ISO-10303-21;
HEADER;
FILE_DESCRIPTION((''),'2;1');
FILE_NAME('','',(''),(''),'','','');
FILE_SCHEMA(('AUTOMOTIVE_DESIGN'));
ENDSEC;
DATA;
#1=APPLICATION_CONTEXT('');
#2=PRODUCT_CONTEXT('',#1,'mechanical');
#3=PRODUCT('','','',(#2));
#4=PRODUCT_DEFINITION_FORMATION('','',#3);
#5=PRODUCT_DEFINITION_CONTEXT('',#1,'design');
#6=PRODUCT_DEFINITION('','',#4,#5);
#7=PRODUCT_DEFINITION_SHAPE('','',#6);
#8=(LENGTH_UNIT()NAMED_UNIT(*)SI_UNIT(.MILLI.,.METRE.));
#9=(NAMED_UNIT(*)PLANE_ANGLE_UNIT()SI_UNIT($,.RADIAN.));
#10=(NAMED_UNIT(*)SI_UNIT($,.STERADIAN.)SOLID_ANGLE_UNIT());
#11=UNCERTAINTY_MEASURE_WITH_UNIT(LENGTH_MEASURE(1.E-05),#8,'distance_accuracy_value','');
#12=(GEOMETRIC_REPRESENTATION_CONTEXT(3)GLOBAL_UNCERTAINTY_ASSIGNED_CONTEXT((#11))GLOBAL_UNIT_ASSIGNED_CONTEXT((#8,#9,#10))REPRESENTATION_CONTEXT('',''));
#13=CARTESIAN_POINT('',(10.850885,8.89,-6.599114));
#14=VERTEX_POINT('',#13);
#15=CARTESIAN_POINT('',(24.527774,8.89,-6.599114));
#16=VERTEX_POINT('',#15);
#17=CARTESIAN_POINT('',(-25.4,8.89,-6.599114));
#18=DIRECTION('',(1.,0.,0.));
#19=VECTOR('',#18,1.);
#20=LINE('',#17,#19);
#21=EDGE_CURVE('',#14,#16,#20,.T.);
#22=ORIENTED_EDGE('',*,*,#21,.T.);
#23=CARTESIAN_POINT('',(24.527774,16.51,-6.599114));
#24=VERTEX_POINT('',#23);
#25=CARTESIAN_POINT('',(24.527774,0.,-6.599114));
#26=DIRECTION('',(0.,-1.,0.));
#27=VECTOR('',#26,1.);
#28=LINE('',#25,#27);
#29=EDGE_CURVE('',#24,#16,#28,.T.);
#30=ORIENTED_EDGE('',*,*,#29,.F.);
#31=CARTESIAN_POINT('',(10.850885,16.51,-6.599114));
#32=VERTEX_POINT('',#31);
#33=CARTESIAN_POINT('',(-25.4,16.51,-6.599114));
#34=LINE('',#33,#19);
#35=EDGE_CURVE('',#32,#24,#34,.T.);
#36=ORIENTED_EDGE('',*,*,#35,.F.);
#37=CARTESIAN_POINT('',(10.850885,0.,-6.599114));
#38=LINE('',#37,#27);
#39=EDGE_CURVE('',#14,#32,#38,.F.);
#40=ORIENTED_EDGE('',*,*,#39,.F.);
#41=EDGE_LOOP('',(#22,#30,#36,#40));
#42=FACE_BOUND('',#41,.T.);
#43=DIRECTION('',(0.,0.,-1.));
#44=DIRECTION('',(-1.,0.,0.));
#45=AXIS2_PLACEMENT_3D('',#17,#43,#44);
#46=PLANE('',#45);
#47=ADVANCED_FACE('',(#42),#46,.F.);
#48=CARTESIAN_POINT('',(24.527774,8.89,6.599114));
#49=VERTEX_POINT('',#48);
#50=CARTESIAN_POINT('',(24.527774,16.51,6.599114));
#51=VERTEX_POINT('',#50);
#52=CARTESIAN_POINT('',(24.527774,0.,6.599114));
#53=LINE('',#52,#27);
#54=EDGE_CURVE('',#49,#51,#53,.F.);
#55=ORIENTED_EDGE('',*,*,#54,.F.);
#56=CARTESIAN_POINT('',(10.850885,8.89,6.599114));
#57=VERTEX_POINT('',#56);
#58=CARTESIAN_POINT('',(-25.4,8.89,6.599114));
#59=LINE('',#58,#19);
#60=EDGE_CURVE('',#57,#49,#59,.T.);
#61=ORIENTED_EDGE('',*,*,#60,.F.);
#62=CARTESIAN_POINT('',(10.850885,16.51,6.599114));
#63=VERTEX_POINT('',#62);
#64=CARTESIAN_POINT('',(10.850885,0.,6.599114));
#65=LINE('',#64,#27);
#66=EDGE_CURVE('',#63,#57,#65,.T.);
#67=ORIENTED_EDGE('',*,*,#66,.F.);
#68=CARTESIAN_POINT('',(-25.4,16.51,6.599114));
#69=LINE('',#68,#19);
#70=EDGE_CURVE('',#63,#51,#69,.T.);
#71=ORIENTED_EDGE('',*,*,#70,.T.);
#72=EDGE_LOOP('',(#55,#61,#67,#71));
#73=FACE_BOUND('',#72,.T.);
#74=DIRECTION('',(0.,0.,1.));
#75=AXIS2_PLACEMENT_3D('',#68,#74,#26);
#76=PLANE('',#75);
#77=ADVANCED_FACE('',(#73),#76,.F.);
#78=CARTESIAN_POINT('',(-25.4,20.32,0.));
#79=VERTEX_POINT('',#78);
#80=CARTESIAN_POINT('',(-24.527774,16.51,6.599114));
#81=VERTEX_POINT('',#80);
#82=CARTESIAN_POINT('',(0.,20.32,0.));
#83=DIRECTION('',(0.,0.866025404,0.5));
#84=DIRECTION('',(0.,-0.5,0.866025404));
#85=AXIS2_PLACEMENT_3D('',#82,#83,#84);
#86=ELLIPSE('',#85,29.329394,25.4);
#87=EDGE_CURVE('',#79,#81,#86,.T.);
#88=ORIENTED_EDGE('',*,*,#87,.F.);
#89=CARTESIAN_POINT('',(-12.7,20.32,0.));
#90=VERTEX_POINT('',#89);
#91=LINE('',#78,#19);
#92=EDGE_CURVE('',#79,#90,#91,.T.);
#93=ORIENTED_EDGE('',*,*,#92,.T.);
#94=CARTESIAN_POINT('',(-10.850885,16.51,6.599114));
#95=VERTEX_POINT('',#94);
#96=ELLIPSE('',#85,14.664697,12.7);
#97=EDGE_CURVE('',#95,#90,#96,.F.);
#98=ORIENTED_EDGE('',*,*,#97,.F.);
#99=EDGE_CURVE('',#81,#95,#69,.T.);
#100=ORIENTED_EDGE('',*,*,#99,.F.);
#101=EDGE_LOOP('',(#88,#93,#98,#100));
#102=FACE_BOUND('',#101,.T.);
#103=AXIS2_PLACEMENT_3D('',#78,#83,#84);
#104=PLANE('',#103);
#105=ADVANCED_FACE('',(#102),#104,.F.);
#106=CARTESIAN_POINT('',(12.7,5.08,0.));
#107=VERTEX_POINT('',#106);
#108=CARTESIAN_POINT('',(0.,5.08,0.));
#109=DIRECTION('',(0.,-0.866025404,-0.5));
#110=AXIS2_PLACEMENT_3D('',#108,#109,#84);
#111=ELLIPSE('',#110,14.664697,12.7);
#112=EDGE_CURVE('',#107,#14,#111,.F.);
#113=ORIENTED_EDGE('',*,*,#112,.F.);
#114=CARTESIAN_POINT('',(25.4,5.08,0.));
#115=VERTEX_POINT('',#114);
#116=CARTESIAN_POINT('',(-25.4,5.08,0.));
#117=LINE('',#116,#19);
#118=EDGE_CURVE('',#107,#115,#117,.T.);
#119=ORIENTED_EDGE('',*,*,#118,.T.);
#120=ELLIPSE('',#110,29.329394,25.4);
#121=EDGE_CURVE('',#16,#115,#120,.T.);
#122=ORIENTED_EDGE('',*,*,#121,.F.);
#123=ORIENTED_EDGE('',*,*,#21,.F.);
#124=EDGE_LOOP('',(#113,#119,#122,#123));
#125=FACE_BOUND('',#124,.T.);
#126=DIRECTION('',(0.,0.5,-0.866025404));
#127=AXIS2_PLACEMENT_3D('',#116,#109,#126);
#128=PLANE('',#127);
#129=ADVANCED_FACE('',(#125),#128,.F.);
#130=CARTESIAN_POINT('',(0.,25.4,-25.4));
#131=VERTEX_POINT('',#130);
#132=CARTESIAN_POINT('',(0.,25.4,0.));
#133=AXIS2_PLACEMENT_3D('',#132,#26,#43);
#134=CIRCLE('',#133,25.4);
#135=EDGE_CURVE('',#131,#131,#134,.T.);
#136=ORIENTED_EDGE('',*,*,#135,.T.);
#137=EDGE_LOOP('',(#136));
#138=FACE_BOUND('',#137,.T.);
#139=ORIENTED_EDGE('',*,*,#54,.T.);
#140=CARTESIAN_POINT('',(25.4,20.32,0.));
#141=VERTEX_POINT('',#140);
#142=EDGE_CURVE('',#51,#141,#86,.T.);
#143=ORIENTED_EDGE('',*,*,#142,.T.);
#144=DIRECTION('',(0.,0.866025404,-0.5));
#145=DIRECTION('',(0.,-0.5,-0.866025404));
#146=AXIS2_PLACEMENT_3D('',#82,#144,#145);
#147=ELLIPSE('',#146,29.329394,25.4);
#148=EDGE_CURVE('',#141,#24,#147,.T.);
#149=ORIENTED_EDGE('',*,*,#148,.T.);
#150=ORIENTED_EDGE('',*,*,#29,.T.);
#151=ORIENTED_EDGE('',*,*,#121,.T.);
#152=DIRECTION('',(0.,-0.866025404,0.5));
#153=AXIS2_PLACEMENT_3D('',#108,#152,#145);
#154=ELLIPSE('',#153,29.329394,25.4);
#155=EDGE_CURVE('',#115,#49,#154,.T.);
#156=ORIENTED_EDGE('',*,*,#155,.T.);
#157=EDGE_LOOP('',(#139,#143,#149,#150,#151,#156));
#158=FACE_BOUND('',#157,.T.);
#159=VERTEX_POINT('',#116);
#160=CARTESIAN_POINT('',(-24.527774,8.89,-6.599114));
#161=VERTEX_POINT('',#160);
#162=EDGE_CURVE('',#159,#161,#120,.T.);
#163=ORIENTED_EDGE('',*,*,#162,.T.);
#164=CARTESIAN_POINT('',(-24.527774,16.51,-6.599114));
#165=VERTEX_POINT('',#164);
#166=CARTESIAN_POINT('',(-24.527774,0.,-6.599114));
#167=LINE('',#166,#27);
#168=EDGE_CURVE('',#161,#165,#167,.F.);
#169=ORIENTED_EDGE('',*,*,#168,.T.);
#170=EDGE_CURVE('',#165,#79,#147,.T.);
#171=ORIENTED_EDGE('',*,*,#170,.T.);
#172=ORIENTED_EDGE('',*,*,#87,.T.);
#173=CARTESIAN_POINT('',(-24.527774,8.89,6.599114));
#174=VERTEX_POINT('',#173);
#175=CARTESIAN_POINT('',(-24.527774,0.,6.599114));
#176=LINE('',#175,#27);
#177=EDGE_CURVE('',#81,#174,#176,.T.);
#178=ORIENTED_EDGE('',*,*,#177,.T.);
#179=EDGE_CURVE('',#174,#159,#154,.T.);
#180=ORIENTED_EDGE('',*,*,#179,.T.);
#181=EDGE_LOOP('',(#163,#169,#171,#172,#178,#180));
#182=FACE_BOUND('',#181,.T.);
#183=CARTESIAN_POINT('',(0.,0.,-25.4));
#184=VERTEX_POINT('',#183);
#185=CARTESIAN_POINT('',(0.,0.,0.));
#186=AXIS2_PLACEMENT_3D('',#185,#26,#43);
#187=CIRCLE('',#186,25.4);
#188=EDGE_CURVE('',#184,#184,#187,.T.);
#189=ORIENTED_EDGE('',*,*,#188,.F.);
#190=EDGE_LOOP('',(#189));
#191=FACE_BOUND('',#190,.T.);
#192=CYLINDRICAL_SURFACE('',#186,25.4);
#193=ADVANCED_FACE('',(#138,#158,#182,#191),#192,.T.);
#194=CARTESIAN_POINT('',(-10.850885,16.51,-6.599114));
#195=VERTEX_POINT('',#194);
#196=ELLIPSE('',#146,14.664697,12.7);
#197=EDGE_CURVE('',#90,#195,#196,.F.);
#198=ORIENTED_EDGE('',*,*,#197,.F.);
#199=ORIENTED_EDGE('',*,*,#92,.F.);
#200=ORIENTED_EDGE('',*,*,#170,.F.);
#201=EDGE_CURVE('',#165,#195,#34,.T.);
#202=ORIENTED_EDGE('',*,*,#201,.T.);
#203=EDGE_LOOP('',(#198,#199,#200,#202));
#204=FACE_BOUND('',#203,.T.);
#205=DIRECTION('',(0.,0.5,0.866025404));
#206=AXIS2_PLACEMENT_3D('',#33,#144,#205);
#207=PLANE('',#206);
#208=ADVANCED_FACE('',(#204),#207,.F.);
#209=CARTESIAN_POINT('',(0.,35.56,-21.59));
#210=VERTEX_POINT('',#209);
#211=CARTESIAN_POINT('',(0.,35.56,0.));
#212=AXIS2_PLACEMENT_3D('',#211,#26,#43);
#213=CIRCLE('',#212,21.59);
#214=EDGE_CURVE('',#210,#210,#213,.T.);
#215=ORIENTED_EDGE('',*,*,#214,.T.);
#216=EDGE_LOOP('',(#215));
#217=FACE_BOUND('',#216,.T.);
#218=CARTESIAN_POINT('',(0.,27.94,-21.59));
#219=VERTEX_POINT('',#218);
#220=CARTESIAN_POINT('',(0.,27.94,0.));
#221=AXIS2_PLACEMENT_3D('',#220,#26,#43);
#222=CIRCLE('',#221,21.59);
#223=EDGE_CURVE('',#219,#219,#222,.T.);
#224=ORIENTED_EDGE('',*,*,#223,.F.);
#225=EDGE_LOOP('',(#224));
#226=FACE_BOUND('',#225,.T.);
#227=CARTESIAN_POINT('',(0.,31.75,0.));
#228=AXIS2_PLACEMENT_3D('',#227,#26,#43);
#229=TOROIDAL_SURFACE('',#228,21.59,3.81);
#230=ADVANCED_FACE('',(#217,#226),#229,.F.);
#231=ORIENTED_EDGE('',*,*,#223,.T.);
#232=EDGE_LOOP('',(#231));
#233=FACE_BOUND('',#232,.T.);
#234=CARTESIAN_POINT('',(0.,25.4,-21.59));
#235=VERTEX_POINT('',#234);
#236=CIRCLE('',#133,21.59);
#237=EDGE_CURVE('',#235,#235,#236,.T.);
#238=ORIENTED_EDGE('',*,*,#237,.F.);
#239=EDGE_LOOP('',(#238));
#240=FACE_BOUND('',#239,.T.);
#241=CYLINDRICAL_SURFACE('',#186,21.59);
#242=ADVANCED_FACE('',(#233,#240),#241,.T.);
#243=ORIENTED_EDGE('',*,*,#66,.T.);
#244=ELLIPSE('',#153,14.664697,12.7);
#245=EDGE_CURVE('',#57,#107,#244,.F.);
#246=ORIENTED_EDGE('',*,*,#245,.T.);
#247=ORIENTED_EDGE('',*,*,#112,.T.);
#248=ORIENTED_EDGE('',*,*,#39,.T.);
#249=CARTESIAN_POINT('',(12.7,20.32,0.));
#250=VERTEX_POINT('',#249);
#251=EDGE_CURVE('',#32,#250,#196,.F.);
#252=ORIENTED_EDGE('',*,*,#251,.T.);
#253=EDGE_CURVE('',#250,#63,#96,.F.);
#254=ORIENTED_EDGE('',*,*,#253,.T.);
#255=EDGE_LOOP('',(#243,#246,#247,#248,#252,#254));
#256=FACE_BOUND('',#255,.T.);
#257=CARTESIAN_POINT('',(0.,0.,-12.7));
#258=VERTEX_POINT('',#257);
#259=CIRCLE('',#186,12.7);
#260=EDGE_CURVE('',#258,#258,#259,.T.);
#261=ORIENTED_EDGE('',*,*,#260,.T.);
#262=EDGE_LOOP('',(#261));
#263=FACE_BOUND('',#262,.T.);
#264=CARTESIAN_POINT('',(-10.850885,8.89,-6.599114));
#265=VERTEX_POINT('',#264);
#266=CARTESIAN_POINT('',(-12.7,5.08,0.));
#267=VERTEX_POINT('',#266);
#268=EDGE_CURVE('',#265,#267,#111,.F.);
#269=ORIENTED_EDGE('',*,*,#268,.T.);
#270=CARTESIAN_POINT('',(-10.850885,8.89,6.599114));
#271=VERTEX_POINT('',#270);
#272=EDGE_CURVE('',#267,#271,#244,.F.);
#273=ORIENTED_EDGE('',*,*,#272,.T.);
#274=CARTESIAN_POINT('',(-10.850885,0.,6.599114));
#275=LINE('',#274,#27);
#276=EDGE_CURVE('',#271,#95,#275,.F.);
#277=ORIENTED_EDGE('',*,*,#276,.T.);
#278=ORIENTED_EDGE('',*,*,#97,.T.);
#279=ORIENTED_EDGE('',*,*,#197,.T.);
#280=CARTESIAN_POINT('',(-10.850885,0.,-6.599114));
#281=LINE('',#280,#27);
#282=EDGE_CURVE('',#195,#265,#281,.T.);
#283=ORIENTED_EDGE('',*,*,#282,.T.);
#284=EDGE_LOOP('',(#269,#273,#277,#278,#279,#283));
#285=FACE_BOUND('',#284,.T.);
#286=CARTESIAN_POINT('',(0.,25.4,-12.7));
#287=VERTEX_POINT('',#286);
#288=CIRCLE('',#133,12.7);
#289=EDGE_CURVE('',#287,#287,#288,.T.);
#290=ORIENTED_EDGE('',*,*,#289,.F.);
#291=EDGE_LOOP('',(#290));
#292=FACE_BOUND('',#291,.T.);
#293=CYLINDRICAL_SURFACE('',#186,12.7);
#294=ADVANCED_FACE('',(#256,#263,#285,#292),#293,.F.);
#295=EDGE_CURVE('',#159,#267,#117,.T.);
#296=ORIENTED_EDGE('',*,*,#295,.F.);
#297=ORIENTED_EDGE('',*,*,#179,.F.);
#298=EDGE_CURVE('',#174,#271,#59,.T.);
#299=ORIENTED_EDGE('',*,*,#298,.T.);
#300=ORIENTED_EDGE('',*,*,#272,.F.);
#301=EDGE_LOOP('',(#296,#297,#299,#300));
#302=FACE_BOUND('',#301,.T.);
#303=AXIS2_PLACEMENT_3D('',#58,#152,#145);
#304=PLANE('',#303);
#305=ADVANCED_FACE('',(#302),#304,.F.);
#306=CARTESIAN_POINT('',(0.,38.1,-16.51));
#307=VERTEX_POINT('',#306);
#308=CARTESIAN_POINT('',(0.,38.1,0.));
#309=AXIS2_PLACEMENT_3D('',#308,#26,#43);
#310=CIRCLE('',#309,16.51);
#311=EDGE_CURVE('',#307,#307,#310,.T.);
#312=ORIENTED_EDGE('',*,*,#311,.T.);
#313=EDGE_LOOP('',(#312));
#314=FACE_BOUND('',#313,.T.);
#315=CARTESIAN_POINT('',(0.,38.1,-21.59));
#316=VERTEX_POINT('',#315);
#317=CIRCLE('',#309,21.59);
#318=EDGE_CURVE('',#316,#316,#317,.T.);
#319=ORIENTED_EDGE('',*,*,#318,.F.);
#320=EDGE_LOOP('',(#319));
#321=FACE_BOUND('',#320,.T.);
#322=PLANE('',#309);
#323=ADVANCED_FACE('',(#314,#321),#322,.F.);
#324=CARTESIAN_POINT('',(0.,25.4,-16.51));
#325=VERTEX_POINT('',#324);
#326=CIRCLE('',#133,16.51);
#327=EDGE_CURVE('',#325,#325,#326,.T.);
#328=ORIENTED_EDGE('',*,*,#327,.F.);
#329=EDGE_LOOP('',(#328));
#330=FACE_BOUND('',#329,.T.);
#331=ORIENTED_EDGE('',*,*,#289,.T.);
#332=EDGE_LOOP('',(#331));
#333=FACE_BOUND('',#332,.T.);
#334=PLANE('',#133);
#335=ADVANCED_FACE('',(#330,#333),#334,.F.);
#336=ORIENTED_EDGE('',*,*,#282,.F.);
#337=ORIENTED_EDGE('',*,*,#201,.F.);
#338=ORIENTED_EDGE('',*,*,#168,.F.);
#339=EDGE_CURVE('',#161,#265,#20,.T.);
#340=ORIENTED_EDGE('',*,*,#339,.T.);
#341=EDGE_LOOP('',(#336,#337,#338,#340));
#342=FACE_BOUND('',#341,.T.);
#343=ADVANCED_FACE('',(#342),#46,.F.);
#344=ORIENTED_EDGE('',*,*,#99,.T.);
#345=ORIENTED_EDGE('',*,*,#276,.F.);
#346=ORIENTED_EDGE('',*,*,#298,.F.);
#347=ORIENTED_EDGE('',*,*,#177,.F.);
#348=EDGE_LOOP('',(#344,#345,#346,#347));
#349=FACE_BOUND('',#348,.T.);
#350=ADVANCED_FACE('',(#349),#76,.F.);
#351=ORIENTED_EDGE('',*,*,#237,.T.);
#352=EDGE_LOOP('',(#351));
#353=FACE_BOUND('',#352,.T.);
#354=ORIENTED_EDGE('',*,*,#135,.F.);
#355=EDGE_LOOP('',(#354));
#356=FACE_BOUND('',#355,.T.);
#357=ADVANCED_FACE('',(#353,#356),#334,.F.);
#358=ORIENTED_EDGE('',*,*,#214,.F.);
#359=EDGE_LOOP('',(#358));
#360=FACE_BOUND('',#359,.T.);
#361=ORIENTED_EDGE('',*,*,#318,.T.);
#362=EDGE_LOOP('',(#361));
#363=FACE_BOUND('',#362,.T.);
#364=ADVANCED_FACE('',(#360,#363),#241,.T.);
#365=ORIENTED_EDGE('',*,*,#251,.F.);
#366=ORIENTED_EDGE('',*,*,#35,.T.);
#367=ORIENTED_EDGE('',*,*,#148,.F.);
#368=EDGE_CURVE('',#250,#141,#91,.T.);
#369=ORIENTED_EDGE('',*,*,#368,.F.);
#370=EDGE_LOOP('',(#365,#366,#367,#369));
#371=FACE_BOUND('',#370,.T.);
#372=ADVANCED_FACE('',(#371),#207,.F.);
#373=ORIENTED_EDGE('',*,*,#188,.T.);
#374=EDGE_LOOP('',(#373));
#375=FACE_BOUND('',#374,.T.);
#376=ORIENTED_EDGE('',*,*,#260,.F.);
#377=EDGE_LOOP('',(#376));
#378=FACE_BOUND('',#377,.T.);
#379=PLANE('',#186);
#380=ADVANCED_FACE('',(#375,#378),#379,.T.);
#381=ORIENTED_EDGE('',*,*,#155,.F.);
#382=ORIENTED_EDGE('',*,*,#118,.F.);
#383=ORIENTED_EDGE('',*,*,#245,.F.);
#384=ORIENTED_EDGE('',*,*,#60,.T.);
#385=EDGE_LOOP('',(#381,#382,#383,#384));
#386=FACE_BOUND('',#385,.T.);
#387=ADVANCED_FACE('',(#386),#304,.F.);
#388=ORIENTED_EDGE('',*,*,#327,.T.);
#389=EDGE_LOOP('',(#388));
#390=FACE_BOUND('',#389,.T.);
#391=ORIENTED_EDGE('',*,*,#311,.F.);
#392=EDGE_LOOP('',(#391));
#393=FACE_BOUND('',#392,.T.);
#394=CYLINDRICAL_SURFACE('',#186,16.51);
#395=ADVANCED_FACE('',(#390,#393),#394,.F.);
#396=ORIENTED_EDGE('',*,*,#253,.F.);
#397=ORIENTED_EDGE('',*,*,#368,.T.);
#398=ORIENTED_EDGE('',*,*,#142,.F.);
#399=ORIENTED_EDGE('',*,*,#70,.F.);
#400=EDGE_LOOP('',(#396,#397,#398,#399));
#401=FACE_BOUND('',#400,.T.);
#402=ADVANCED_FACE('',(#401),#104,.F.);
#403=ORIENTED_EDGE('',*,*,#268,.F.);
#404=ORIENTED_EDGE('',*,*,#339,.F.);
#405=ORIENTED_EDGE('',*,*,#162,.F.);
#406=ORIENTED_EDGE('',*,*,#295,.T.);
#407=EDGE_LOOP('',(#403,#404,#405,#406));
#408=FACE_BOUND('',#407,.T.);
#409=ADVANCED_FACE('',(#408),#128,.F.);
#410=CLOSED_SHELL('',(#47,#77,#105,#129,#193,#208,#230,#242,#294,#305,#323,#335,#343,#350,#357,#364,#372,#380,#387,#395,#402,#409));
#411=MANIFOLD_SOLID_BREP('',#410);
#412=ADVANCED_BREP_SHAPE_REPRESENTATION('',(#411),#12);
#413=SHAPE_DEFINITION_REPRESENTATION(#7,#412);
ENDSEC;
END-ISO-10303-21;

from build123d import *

# Parameters (mm, degrees)
CUT_EXTRUDE1_DEPTH      = 53.363441445
CUT_EXTRUDE1_DEPTH_BACK = 53.363441445


with BuildPart() as part:
    # Sketch1 → Revolve1 (revolve)
    with BuildSketch(Plane.XY, mode=Mode.PRIVATE) as revolve1_sk:
        with BuildLine():
            Line((12.7, 0), (12.7, 25.4))
            Line((12.7, 25.4), (16.51, 25.4))
            Line((16.51, 25.4), (16.51, 38.1))
            Line((16.51, 38.1), (21.59, 38.1))
            Line((21.59, 38.1), (21.59, 35.56))
            ThreePointArc((21.59, 35.56), (17.78, 31.75), (21.59, 27.94))
            Line((21.59, 27.94), (21.59, 25.4))
            Line((21.59, 25.4), (25.4, 25.4))
            Line((25.4, 25.4), (25.4, 0))
            Line((25.4, 0), (12.7, 0))
        make_face()
    revolve(revolve1_sk.sketch.rotate(Axis((0, 0, 0), (0, 1, 0)), 90), axis=Axis((0, 0, 0), (0, 1, 0)))

    # Sketch2 → Cut-Extrude1 (cut, two sides: drawn at the far end of the back side and taken through both)
    with BuildSketch(Plane(origin=(0, 0, 0), x_dir=(0, 0, -1), z_dir=(1, 0, 0)).offset(-CUT_EXTRUDE1_DEPTH_BACK)):
        Polygon((0, 20.32), (-6.599113577, 16.51), (-6.599113577, 8.89), (0, 5.08), (6.599113577, 8.89), (6.599113577, 16.51), align=None)
    extrude(amount=CUT_EXTRUDE1_DEPTH + CUT_EXTRUDE1_DEPTH_BACK, mode=Mode.SUBTRACT)


solid = part.part
